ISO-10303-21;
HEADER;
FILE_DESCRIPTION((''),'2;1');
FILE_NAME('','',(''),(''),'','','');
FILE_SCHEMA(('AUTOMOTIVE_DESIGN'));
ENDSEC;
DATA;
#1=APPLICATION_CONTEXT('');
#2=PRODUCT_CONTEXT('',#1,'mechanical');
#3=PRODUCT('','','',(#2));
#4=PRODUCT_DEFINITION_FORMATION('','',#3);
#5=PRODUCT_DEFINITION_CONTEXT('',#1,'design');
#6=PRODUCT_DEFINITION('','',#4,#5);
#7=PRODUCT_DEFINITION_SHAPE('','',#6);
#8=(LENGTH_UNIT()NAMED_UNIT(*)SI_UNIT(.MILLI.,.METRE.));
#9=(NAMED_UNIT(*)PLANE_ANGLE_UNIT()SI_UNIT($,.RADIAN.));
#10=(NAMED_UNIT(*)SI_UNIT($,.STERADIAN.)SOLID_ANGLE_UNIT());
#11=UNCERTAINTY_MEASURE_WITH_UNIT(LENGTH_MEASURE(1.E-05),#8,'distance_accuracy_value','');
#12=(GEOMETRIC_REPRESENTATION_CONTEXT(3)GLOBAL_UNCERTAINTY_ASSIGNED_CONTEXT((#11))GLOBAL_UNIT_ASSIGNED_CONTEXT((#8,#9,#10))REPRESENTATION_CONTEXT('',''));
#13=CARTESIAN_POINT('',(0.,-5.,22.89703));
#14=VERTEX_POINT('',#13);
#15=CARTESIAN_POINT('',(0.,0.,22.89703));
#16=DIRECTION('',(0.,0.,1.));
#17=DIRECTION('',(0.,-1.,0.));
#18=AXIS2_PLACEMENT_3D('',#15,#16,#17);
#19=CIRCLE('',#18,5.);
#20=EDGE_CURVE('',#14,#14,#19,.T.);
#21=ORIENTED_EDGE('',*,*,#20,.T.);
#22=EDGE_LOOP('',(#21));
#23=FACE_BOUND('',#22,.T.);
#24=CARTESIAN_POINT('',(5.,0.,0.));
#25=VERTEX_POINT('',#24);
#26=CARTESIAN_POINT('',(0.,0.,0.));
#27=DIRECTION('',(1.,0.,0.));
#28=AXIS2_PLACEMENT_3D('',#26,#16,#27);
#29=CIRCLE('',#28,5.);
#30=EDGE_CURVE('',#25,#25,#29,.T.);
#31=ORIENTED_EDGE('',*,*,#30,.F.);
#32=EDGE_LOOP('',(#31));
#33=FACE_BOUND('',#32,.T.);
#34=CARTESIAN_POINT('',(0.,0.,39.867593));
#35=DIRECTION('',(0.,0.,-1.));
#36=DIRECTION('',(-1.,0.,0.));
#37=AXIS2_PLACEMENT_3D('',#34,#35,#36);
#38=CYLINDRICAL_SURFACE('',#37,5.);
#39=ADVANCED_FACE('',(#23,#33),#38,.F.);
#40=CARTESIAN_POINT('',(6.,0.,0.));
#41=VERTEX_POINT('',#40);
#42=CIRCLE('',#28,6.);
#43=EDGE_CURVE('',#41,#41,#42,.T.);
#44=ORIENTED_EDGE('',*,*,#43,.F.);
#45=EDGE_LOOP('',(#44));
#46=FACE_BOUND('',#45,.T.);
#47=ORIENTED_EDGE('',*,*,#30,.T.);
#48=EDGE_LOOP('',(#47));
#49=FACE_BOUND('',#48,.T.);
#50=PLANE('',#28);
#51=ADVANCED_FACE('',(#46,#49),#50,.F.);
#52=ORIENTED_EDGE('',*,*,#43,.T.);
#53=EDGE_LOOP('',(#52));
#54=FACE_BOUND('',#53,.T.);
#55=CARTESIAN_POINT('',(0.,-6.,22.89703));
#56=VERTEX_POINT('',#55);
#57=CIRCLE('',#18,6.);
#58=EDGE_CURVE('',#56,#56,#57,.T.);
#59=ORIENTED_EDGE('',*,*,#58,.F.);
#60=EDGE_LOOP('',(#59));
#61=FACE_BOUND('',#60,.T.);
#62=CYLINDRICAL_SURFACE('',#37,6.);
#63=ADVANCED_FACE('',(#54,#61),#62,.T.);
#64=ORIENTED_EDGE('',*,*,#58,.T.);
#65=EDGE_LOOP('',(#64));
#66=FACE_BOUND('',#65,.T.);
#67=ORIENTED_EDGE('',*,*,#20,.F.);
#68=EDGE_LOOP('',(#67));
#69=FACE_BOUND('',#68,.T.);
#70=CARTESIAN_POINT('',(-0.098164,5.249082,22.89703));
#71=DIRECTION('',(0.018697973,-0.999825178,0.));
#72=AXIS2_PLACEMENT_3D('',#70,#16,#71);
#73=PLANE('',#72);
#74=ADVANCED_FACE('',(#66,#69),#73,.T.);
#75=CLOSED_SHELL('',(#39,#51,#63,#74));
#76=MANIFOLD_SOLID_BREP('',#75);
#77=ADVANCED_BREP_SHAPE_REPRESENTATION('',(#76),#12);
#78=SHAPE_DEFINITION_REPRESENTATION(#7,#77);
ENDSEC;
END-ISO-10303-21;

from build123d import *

# Parameters (mm, degrees)
SKETCH1_R           = 6
SKETCH1_R_2         = 5
BOSS_EXTRUDE1_DEPTH = 22.89703


with BuildPart() as part:
    # Sketch1 → Boss-Extrude1 (new body)
    with BuildSketch(Plane.XY):
        Circle(SKETCH1_R)
        Circle(SKETCH1_R_2, mode=Mode.SUBTRACT)
    extrude(amount=BOSS_EXTRUDE1_DEPTH)


solid = part.part
